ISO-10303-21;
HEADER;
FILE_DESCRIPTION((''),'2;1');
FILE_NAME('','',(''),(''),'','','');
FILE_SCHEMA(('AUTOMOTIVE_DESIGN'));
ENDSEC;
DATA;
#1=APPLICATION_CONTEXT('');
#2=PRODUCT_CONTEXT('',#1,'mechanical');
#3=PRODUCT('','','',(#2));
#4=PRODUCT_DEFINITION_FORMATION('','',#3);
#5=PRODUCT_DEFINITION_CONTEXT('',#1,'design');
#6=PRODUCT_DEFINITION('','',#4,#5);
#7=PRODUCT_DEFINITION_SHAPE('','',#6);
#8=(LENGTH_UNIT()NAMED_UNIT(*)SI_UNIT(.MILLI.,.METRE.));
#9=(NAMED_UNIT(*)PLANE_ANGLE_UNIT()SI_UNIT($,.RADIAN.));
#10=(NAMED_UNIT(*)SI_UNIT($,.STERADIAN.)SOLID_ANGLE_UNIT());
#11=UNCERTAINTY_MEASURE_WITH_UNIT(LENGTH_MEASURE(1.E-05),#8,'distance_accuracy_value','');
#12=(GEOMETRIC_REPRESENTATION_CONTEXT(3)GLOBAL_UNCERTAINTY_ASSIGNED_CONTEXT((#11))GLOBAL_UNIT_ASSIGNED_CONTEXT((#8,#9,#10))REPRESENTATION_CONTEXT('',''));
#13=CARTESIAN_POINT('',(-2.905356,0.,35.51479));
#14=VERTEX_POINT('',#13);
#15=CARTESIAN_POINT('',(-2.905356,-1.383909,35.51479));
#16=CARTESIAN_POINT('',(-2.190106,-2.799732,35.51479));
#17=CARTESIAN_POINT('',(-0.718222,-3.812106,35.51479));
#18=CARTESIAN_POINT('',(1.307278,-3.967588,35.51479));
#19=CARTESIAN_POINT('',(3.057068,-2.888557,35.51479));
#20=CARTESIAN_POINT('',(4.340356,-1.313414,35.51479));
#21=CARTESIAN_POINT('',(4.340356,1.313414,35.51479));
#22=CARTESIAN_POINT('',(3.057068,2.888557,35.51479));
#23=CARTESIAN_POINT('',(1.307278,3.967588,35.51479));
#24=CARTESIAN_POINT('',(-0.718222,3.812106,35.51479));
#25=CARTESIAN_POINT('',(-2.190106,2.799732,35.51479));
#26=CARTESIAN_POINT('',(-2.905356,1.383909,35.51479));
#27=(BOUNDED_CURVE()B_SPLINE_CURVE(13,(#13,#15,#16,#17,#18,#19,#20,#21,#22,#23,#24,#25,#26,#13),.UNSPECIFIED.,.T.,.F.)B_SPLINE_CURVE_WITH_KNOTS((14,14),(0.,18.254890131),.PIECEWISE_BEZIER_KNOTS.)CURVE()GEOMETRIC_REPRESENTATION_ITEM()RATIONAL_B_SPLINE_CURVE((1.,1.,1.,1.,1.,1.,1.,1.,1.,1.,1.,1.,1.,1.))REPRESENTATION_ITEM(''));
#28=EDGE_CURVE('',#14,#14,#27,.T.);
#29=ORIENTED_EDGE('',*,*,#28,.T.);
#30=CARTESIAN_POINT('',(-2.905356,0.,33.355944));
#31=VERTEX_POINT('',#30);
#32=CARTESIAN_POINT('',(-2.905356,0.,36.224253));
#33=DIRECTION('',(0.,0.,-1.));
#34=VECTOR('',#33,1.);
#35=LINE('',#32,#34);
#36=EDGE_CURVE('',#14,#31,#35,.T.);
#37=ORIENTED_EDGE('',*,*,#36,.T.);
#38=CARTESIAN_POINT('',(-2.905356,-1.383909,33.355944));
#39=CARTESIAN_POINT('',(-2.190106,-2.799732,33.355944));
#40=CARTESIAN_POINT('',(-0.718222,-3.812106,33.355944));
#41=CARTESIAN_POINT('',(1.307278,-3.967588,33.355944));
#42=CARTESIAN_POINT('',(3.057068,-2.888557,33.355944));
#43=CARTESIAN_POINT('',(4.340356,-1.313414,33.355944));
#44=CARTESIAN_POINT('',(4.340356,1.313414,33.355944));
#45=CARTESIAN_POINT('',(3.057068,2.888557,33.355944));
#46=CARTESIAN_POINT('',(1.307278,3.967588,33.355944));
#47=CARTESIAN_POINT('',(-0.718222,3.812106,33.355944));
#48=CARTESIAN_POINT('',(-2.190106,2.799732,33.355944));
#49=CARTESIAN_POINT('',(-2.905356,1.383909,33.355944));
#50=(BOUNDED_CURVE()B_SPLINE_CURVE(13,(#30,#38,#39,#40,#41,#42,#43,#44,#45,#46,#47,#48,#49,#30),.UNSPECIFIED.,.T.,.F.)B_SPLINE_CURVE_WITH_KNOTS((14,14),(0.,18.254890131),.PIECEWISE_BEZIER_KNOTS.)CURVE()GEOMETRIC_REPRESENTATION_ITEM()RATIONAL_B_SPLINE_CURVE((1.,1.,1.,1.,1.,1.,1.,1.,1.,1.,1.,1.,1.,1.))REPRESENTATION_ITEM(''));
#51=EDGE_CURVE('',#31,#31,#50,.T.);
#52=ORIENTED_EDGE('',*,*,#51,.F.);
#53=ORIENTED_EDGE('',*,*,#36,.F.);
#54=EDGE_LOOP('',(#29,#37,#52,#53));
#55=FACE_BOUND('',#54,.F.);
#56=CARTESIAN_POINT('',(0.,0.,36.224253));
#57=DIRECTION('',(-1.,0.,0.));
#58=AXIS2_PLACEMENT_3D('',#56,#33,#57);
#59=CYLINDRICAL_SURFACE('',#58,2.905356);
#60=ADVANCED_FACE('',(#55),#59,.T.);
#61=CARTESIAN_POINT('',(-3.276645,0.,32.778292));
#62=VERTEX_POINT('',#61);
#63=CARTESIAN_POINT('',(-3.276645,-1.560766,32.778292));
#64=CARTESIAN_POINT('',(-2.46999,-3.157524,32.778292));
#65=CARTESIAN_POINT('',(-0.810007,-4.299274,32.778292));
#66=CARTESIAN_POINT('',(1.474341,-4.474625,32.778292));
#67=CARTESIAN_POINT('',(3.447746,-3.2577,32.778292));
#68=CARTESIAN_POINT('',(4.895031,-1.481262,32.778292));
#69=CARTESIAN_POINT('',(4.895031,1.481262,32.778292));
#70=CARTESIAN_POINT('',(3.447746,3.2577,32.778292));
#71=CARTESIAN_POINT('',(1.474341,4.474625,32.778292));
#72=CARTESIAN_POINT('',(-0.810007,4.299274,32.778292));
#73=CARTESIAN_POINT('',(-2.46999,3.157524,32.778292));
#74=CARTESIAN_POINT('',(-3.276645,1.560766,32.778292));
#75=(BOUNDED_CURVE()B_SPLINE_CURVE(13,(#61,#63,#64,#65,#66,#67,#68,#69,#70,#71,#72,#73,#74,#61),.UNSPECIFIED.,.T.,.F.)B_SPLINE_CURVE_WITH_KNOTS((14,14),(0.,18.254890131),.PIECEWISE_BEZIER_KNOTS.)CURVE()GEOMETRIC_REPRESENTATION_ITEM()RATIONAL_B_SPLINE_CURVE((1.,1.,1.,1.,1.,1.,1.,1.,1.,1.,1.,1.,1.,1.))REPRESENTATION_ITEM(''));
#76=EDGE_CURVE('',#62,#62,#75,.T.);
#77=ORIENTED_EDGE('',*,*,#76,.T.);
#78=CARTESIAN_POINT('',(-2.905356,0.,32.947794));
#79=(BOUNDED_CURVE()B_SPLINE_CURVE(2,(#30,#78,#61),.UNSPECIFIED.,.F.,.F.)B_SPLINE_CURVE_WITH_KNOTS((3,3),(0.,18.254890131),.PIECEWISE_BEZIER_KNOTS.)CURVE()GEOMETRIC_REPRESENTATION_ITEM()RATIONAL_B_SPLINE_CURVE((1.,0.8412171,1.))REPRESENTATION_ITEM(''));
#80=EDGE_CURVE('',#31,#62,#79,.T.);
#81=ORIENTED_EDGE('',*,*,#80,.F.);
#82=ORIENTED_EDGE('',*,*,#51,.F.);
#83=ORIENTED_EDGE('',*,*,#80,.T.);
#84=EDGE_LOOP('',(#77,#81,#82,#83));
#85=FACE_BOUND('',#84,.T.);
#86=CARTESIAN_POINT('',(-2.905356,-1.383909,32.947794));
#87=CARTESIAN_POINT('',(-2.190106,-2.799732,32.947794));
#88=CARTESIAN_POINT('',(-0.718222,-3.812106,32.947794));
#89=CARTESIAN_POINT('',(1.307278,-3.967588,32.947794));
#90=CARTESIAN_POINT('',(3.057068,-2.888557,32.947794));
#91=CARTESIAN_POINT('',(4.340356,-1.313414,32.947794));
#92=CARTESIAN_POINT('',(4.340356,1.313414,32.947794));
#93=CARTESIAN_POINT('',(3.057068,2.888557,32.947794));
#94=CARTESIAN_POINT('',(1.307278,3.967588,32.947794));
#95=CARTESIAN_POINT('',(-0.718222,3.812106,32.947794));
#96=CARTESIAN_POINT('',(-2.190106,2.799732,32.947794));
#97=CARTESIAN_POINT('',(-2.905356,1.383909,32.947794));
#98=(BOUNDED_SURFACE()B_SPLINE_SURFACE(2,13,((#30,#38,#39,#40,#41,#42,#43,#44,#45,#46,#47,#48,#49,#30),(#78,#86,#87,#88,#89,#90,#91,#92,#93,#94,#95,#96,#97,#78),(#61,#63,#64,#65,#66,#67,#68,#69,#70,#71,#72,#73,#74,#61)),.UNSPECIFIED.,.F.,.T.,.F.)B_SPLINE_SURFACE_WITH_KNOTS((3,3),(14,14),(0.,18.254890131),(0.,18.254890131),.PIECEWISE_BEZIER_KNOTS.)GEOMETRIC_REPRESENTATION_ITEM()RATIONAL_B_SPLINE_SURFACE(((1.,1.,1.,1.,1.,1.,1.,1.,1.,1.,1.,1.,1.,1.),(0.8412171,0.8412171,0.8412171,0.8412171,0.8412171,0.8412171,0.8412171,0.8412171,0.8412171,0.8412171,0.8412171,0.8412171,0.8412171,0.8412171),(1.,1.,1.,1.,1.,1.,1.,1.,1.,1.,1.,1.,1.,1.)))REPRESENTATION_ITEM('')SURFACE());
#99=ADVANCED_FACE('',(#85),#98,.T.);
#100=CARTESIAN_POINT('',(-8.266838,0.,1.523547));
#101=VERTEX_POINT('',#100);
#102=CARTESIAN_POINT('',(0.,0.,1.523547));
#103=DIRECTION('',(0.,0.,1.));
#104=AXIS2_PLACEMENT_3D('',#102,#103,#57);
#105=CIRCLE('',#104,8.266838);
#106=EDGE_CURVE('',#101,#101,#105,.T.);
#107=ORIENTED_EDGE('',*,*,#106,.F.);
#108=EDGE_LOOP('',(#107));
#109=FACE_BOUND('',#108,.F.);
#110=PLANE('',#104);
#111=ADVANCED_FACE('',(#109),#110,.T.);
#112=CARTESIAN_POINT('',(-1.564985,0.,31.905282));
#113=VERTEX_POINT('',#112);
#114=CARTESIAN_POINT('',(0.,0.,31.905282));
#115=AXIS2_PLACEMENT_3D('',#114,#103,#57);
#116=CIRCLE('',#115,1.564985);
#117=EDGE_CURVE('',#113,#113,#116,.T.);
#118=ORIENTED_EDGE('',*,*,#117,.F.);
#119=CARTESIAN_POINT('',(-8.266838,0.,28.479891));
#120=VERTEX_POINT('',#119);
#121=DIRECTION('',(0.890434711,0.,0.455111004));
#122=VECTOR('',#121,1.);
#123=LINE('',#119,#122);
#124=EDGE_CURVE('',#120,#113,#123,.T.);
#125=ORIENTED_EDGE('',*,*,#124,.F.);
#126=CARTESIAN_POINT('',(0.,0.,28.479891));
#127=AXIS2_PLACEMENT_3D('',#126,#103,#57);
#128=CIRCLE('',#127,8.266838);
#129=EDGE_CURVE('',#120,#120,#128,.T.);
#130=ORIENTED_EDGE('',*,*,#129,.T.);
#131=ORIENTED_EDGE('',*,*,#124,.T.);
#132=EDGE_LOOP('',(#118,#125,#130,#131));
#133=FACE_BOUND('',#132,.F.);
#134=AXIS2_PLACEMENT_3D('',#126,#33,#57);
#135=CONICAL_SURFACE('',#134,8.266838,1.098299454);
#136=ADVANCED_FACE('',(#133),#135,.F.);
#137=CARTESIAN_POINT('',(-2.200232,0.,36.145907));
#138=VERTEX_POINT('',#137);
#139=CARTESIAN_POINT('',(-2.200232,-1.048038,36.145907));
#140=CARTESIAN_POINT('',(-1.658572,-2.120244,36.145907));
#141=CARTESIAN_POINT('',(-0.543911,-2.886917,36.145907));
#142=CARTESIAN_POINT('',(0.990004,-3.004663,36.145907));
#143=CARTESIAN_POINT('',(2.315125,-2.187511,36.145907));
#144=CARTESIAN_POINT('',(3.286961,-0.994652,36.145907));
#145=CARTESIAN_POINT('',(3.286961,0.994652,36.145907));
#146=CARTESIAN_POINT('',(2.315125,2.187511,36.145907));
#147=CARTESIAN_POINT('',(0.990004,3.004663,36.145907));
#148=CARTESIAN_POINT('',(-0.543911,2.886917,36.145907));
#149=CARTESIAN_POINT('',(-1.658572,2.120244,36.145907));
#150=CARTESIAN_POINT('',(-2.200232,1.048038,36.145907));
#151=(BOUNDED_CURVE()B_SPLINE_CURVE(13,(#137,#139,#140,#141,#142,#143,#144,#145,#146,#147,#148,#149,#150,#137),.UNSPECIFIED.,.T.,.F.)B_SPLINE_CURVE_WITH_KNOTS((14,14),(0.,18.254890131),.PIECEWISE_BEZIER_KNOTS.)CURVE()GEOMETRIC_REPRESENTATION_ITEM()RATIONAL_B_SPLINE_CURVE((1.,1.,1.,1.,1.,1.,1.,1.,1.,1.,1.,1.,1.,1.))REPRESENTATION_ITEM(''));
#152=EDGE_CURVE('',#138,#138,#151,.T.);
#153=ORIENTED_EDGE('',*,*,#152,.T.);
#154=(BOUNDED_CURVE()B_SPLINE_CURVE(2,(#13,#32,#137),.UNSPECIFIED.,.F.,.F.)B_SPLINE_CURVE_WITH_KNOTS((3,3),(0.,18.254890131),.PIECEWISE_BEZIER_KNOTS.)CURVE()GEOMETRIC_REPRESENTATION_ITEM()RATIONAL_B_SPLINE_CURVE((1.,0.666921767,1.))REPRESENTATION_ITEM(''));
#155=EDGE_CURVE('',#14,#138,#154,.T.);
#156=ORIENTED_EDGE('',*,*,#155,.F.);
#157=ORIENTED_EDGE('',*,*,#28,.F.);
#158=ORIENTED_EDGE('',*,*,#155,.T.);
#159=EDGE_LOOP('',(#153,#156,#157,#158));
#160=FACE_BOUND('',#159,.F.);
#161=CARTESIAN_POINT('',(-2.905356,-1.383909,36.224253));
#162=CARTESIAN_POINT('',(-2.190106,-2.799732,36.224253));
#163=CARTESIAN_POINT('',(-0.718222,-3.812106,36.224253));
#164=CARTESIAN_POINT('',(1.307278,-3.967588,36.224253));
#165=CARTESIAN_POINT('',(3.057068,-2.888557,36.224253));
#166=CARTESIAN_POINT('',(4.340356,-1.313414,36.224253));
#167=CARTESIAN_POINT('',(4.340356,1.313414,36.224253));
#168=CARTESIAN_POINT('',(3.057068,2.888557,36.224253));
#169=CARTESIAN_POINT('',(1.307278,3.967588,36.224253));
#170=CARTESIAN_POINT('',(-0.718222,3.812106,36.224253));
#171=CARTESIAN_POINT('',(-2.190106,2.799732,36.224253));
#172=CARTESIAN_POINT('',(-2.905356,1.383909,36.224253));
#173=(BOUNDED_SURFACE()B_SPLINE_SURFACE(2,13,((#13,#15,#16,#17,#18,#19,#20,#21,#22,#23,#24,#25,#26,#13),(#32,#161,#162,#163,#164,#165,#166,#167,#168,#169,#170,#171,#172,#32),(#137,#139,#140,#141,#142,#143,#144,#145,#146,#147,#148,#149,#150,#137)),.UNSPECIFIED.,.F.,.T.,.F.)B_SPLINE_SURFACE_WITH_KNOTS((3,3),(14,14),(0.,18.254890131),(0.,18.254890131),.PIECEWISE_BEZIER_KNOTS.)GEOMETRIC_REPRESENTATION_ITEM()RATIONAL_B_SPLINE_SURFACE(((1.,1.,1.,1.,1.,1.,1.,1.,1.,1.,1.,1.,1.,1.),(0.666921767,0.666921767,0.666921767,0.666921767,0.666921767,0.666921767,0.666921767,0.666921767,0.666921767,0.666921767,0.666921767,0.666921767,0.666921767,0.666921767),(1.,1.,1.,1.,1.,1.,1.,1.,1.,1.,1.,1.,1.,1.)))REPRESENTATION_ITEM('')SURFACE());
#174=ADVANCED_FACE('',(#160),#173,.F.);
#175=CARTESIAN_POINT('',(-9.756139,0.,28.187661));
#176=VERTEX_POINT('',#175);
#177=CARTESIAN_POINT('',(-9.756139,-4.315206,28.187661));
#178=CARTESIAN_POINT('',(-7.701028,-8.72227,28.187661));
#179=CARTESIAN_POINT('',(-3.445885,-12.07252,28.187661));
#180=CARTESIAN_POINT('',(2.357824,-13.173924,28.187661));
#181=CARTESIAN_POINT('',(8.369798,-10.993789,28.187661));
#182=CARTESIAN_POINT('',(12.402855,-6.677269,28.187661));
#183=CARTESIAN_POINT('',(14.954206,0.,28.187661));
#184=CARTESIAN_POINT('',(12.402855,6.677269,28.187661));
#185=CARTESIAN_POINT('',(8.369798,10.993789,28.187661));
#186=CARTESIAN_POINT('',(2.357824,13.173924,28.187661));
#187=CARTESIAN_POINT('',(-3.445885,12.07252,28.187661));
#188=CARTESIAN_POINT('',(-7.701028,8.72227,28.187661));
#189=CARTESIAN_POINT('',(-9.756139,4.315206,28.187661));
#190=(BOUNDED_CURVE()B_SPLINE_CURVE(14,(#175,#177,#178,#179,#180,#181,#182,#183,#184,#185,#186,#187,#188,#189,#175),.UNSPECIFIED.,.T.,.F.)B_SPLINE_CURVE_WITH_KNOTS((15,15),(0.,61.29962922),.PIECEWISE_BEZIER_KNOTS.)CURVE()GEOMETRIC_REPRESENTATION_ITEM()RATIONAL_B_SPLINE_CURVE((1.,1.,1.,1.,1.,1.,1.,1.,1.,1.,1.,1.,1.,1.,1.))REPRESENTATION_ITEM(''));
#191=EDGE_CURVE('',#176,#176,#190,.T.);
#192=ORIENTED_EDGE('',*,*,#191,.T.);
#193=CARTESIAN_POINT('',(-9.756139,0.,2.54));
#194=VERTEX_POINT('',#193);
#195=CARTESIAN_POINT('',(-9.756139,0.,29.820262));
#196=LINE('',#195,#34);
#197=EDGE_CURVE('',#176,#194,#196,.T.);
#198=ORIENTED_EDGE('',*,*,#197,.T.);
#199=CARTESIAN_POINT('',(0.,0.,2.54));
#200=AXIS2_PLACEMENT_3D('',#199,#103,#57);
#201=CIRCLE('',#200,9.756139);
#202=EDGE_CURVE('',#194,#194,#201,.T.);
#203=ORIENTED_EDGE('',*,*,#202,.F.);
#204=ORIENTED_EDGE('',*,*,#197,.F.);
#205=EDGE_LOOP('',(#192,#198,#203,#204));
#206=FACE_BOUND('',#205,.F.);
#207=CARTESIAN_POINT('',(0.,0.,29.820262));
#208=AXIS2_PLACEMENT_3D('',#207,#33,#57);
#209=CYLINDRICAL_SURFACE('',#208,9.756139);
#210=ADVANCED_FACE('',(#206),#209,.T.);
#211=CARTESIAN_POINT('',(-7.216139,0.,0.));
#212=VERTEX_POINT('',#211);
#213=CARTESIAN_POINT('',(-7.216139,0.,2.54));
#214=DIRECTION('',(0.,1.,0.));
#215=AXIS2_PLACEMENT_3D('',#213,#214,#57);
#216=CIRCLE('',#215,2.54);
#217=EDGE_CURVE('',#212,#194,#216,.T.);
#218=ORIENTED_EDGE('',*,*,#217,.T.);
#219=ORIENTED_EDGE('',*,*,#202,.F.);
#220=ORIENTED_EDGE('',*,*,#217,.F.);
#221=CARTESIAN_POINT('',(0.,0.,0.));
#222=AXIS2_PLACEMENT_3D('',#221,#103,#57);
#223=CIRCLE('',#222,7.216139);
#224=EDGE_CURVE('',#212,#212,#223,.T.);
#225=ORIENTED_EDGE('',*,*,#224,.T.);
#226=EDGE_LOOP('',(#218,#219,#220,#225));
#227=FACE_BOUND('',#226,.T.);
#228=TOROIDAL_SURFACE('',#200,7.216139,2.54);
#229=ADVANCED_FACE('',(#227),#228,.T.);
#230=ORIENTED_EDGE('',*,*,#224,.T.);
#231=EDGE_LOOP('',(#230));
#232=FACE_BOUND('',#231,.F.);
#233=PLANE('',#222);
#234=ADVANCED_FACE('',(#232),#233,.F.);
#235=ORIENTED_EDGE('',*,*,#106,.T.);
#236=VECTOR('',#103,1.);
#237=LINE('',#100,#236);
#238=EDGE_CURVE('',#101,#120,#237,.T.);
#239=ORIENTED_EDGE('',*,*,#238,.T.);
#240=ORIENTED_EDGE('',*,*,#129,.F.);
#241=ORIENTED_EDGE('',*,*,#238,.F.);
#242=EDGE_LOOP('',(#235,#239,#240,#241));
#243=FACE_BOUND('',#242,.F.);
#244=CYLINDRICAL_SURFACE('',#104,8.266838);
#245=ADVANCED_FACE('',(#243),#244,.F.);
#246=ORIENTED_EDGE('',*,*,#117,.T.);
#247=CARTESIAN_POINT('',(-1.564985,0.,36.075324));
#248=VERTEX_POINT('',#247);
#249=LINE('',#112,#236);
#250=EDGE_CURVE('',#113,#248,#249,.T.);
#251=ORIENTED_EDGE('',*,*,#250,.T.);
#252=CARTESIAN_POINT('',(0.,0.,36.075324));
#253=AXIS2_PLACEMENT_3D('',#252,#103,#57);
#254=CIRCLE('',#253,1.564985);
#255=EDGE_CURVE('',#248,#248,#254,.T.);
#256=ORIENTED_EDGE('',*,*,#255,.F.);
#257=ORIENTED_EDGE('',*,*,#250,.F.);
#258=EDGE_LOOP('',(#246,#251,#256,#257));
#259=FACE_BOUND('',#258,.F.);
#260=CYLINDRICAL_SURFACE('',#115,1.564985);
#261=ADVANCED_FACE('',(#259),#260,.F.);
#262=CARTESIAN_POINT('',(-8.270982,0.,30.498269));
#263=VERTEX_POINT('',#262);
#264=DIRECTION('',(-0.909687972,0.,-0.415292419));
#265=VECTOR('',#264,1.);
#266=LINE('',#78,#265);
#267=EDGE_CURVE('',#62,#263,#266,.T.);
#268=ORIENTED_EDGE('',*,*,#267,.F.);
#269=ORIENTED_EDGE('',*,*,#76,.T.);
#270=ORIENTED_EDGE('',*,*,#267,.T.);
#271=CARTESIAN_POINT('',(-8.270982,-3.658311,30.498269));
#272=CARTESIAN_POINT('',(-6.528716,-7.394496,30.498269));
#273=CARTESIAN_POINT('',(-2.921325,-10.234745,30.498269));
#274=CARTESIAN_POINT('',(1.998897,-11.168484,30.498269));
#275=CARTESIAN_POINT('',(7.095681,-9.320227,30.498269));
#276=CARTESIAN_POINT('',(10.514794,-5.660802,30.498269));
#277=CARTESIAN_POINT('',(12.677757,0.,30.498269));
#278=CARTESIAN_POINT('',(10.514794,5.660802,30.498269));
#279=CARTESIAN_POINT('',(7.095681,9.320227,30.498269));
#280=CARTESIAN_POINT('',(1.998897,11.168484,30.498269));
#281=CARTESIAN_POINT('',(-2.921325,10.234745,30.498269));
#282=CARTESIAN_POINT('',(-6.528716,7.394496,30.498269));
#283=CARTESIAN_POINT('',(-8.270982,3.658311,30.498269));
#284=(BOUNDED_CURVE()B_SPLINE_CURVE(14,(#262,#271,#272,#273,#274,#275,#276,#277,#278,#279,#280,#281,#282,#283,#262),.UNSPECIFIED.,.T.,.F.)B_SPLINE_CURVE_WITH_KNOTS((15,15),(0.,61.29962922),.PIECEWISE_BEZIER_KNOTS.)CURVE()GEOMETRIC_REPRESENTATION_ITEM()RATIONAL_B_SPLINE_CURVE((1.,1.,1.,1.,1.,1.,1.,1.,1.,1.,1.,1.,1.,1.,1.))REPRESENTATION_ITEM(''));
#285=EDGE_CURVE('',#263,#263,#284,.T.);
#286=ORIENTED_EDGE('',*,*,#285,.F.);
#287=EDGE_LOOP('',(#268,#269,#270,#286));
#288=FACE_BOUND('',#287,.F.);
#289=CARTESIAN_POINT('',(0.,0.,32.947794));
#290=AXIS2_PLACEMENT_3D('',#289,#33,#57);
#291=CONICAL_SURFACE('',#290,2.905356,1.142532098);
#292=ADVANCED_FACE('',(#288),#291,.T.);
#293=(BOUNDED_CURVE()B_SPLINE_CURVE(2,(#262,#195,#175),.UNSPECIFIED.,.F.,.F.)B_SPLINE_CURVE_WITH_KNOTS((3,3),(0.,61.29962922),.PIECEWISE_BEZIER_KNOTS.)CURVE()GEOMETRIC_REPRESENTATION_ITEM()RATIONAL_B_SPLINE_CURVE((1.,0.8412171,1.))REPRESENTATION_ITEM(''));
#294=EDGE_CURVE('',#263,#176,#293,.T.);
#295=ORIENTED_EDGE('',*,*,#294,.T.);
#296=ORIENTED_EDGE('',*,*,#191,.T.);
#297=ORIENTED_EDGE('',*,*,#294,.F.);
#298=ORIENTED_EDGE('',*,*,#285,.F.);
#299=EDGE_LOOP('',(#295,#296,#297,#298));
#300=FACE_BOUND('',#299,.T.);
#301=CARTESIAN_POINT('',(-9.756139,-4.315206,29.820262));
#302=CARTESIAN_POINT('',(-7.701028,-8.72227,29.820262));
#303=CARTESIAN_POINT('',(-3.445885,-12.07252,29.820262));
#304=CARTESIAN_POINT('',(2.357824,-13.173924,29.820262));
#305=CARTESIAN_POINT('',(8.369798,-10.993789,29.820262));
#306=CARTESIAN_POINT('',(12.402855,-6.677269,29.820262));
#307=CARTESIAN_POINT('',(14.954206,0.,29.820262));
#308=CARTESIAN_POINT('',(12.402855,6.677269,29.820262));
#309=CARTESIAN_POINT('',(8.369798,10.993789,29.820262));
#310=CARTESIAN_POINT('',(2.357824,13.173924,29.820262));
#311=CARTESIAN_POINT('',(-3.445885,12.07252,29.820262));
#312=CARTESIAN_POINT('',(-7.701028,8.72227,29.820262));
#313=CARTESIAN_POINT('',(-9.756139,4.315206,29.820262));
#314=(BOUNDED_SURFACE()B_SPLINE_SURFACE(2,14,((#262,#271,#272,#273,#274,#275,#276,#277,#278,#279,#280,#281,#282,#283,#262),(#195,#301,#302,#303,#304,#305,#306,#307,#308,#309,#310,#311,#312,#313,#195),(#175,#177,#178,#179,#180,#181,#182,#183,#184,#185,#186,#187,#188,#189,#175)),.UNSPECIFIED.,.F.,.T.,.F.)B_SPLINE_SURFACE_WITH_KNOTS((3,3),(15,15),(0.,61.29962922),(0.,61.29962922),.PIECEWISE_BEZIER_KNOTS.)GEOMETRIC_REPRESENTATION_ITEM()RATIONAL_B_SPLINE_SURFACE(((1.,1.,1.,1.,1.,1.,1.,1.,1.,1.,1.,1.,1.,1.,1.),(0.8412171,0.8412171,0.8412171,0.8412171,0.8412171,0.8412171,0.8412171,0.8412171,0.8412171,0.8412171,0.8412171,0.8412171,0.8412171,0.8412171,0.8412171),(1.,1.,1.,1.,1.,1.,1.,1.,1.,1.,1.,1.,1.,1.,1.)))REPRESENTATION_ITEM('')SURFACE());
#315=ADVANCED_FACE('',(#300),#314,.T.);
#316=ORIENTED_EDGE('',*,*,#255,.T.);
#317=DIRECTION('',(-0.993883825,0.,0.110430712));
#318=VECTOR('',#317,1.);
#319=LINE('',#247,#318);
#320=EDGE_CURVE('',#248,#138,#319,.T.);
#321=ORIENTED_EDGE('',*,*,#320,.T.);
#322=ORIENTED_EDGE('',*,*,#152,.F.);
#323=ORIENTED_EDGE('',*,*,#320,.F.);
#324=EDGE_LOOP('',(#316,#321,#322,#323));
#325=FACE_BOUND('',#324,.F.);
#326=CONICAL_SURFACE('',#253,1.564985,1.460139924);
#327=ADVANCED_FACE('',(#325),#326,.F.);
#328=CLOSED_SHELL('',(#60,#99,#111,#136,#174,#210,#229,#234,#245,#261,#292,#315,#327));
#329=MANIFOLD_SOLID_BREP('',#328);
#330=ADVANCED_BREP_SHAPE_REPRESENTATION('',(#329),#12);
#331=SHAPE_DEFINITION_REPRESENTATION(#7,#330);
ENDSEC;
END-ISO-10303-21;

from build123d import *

# Parameters (mm, degrees)
F2_R = 2.54
F3_R = 0.635
F4_R = 0.635


with BuildPart() as f1:
    # F0 (on Front) → F1 (revolve)
    with BuildSketch(Plane.XZ):
        Polygon((-9.756139, 0), (0, 0), (0, 1.523547), (-8.266838, 1.523547), (-8.266838, 28.479891), (-1.564985, 31.905282), (-1.564985, 36.075324), (-2.905356, 36.224253), (-2.905356, 32.947794), (-9.756139, 29.820262), align=None)
    revolve(axis=Axis((0, 0, 0.761774), (0, 0, 1)))

    # F2
    f2_edges = [f1.edges().sort_by_distance(p)[0] for p in [
        (9.756139, 0, 29.820262),
        (9.756139, 0, 0),
        (-9.756139, 0, 14.910131),
    ]]
    fillet(f2_edges, radius=F2_R)

    # F3
    f3_edges = [f1.edges().sort_by_distance(p)[0] for p in [
        (2.905356, 0, 36.224253),
    ]]
    fillet(f3_edges, radius=F3_R)

    # F4
    f4_edges = [f1.edges().sort_by_distance(p)[0] for p in [
        (2.905356, 0, 32.947794),
    ]]
    fillet(f4_edges, radius=F4_R)


solid = f1.part
